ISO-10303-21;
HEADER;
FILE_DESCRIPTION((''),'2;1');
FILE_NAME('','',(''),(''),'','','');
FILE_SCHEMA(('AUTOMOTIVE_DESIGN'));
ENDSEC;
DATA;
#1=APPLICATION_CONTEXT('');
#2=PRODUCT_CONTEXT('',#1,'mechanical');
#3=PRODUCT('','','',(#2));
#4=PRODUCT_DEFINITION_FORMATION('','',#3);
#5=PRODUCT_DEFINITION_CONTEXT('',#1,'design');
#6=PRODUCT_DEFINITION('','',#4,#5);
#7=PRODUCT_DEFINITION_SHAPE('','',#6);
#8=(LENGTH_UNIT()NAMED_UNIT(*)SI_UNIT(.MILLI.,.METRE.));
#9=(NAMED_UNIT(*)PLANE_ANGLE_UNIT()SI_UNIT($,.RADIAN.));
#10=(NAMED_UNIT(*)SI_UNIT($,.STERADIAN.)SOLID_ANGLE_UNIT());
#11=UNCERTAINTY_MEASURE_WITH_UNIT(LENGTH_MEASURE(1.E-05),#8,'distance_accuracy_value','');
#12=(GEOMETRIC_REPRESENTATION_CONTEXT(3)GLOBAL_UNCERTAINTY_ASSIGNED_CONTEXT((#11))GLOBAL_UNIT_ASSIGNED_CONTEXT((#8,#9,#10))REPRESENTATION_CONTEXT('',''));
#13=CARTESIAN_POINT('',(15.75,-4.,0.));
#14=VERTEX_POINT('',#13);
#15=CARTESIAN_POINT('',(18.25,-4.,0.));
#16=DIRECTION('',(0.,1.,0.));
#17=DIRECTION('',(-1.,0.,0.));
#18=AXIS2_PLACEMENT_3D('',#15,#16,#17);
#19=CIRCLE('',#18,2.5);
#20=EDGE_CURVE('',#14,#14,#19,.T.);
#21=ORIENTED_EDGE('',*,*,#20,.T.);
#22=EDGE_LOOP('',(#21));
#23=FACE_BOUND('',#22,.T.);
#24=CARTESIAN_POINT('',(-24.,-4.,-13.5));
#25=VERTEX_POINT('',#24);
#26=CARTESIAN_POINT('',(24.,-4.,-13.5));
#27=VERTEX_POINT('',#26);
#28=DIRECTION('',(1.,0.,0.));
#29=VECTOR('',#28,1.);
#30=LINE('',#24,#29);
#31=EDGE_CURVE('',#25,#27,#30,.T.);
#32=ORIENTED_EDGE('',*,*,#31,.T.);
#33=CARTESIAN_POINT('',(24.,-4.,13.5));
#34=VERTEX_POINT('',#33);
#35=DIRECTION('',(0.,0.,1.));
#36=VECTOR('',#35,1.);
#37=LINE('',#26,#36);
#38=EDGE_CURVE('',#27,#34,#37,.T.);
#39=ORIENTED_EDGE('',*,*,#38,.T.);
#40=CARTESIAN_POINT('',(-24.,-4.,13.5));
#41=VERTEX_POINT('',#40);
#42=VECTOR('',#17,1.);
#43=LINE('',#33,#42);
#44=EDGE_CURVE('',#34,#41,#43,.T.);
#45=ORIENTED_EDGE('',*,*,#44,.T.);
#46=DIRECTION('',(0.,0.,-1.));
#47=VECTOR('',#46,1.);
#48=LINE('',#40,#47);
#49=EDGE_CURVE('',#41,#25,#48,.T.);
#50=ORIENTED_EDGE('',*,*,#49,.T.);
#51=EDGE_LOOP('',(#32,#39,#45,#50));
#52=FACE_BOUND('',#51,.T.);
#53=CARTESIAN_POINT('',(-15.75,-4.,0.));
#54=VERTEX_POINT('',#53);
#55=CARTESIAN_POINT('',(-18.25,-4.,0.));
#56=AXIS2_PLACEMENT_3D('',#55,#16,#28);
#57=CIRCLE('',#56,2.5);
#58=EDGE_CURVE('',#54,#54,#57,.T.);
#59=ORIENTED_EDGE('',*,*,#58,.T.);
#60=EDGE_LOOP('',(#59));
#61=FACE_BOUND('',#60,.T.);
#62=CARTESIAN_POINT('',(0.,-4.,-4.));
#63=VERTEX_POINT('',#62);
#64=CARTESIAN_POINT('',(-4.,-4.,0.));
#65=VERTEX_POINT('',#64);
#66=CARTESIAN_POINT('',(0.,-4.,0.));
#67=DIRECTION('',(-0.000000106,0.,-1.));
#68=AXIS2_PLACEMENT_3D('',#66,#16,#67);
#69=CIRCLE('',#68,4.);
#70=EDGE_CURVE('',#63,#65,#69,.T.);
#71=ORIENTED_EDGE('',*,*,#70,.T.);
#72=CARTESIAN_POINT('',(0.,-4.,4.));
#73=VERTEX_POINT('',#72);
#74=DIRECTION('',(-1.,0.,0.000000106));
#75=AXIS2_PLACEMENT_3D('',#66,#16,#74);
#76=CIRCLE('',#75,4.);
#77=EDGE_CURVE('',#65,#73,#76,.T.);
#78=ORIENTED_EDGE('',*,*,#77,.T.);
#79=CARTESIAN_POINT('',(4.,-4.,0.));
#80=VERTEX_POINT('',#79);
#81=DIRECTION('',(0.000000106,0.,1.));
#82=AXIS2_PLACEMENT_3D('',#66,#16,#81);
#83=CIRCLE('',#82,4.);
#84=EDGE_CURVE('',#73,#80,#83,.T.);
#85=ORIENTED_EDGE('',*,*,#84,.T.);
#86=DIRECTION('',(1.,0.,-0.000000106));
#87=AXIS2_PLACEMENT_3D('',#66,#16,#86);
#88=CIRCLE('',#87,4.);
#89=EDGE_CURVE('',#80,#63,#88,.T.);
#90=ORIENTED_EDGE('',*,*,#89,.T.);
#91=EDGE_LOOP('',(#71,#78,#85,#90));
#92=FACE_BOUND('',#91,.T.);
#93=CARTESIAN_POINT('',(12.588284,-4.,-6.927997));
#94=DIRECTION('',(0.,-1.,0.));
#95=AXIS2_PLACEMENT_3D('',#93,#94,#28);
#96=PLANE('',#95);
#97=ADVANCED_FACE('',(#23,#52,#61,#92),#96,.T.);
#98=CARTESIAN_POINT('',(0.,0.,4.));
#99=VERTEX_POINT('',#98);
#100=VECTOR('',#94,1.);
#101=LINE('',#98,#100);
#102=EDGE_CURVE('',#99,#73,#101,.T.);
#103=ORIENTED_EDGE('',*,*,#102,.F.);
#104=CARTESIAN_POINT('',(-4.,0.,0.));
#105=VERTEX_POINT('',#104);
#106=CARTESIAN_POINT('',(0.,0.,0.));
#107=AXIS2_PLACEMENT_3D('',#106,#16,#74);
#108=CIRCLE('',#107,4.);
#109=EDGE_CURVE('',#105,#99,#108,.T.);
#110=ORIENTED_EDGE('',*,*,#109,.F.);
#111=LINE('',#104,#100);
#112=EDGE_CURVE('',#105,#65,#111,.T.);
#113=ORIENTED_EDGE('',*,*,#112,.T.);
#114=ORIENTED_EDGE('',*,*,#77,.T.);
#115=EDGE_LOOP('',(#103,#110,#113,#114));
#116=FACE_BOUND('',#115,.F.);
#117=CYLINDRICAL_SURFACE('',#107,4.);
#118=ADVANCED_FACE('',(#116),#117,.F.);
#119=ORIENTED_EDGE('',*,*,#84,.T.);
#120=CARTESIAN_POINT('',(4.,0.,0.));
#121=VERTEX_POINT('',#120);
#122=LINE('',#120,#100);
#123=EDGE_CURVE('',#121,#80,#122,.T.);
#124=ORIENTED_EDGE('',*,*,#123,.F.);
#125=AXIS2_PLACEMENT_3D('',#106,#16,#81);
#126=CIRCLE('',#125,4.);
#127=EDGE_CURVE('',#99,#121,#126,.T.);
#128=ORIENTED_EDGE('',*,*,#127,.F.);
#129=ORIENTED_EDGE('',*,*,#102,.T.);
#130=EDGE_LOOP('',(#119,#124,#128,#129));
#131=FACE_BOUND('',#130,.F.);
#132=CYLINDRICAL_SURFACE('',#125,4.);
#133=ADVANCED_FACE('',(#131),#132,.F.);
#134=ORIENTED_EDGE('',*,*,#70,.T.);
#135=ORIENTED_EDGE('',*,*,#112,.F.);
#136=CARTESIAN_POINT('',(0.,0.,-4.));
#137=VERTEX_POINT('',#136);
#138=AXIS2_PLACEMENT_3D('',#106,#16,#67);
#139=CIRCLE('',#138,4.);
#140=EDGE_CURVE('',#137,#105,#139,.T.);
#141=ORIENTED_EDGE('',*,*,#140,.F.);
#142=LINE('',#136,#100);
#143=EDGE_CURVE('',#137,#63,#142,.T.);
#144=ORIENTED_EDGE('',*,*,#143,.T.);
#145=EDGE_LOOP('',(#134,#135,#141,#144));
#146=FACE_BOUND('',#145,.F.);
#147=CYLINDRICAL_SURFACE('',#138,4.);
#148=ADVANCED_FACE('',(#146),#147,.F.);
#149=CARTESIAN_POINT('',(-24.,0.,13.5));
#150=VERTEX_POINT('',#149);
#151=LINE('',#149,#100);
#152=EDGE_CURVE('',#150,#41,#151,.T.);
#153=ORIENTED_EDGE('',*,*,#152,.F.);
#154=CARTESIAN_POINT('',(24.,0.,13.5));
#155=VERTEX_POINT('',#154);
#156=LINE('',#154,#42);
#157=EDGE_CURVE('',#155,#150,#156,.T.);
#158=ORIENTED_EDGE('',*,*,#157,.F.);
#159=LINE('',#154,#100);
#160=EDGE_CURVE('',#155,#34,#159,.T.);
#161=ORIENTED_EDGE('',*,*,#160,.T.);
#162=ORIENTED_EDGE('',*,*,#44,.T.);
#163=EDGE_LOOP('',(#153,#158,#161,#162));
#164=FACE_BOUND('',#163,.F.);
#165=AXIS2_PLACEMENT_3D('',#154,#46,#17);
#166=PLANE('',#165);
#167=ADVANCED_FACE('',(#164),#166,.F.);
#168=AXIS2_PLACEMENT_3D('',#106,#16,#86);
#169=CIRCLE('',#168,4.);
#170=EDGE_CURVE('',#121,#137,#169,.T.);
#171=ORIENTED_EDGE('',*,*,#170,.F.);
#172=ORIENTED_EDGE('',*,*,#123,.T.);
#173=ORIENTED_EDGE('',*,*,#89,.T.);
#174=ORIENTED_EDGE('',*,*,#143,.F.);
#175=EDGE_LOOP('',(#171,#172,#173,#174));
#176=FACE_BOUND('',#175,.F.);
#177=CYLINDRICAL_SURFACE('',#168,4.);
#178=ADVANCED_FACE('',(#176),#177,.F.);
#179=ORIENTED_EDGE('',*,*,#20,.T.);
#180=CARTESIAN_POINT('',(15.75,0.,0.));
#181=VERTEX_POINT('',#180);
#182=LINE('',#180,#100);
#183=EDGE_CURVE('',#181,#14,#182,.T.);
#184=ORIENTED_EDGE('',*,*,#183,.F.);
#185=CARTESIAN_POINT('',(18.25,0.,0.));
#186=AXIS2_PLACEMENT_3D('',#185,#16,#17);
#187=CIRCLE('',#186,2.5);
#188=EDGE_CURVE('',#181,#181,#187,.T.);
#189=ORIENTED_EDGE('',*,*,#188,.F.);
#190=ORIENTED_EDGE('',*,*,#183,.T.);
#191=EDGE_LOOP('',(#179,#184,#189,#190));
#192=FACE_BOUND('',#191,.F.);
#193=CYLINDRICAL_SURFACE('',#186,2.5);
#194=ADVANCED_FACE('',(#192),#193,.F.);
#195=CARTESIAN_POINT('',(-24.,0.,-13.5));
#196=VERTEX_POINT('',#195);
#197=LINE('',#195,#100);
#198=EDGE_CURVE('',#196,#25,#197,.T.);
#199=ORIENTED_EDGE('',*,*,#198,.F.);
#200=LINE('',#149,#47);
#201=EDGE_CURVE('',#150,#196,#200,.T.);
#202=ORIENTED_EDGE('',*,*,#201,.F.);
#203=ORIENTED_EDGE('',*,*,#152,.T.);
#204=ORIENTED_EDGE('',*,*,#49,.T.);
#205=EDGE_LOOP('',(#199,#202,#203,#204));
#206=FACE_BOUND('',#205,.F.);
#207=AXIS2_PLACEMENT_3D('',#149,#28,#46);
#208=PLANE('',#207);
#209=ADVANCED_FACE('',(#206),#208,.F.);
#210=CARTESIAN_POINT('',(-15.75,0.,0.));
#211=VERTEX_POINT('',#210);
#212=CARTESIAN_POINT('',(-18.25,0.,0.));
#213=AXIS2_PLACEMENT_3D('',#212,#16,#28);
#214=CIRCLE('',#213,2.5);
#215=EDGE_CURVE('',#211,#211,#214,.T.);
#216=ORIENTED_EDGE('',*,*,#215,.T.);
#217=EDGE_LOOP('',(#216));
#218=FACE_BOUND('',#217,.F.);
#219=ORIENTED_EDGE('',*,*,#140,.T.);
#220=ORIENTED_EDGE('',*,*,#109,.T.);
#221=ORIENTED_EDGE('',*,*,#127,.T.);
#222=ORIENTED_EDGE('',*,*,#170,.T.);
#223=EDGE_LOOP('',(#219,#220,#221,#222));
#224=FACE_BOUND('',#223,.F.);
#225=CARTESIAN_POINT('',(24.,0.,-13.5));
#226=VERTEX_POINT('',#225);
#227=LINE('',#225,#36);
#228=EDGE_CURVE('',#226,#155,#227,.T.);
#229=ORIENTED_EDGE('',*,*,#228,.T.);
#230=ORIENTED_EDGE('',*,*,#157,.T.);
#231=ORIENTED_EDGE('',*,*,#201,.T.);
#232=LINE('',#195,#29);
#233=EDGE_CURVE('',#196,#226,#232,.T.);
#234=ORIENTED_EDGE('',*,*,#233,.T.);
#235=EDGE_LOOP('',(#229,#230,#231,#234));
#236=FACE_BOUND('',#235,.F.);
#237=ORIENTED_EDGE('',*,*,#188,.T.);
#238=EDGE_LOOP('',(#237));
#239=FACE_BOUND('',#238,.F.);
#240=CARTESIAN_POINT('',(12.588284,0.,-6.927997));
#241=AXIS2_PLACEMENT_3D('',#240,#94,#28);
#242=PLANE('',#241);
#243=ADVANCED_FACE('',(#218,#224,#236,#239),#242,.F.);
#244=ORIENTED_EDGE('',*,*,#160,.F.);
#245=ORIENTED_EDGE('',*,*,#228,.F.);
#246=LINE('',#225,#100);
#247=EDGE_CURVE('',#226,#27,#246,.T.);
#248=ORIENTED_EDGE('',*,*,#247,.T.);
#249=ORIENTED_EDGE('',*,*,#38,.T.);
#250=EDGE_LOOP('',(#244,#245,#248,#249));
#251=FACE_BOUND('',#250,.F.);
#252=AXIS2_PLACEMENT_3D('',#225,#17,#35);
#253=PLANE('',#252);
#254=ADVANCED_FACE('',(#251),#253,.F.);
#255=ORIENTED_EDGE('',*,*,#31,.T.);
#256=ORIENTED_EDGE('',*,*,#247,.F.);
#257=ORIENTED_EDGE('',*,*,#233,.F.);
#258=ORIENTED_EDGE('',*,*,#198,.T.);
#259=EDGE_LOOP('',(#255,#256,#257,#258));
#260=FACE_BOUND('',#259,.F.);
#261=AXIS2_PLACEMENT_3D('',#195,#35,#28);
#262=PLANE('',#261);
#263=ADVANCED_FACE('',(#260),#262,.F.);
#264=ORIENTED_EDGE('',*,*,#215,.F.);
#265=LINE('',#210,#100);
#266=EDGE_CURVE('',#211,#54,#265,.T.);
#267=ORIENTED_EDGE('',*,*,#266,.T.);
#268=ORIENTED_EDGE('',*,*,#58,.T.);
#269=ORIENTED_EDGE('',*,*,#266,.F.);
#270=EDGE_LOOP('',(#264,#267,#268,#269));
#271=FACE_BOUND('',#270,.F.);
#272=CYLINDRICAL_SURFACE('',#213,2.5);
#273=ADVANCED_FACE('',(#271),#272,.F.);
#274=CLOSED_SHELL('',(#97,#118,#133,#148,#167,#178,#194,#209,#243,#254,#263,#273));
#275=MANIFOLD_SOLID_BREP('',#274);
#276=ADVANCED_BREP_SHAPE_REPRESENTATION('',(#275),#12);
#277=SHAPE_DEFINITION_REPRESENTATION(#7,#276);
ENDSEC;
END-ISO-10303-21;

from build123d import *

# Parameters (mm, degrees)
F1_DEPTH = 4


with BuildPart() as f1:
    # F0 (on Front) → F1 (new body)
    with BuildSketch(Plane.XZ):
        with BuildLine():
            Line((15.75, 0), (4, 0))
            ThreePointArc((4, 0), (2.828427, -2.828427), (0, -4))
            Line((0, -4), (0, -13.5))
            Line((0, -13.5), (24, -13.5))
            Line((24, -13.5), (24, 0))
            Line((24, 0), (20.75, 0))
            ThreePointArc((20.75, 0), (18.25, -2.5), (15.75, 0))
        make_face()
        with BuildLine():
            ThreePointArc((0, 4), (2.828427, 2.828427), (4, 0))
            Line((4, 0), (15.75, 0))
            ThreePointArc((15.75, 0), (18.25, 2.5), (20.75, 0))
            Line((20.75, 0), (24, 0))
            Line((24, 0), (24, 13.5))
            Line((24, 13.5), (0, 13.5))
            Line((0, 13.5), (0, 4))
        make_face()
        with BuildLine():
            ThreePointArc((-4, 0), (-2.828427, 2.828427), (0, 4))
            Line((0, 4), (0, 13.5))
            Line((0, 13.5), (-24, 13.5))
            Line((-24, 13.5), (-24, 0))
            Line((-24, 0), (-20.75, 0))
            ThreePointArc((-20.75, 0), (-18.25, 2.5), (-15.75, 0))
            Line((-15.75, 0), (-4, 0))
        make_face()
        with BuildLine():
            Line((0, -13.5), (0, -4))
            ThreePointArc((0, -4), (-2.828427, -2.828427), (-4, 0))
            Line((-4, 0), (-15.75, 0))
            ThreePointArc((-15.75, 0), (-18.25, -2.5), (-20.75, 0))
            Line((-20.75, 0), (-24, 0))
            Line((-24, 0), (-24, -13.5))
            Line((-24, -13.5), (0, -13.5))
        make_face()
    extrude(amount=F1_DEPTH)


solid = f1.part
